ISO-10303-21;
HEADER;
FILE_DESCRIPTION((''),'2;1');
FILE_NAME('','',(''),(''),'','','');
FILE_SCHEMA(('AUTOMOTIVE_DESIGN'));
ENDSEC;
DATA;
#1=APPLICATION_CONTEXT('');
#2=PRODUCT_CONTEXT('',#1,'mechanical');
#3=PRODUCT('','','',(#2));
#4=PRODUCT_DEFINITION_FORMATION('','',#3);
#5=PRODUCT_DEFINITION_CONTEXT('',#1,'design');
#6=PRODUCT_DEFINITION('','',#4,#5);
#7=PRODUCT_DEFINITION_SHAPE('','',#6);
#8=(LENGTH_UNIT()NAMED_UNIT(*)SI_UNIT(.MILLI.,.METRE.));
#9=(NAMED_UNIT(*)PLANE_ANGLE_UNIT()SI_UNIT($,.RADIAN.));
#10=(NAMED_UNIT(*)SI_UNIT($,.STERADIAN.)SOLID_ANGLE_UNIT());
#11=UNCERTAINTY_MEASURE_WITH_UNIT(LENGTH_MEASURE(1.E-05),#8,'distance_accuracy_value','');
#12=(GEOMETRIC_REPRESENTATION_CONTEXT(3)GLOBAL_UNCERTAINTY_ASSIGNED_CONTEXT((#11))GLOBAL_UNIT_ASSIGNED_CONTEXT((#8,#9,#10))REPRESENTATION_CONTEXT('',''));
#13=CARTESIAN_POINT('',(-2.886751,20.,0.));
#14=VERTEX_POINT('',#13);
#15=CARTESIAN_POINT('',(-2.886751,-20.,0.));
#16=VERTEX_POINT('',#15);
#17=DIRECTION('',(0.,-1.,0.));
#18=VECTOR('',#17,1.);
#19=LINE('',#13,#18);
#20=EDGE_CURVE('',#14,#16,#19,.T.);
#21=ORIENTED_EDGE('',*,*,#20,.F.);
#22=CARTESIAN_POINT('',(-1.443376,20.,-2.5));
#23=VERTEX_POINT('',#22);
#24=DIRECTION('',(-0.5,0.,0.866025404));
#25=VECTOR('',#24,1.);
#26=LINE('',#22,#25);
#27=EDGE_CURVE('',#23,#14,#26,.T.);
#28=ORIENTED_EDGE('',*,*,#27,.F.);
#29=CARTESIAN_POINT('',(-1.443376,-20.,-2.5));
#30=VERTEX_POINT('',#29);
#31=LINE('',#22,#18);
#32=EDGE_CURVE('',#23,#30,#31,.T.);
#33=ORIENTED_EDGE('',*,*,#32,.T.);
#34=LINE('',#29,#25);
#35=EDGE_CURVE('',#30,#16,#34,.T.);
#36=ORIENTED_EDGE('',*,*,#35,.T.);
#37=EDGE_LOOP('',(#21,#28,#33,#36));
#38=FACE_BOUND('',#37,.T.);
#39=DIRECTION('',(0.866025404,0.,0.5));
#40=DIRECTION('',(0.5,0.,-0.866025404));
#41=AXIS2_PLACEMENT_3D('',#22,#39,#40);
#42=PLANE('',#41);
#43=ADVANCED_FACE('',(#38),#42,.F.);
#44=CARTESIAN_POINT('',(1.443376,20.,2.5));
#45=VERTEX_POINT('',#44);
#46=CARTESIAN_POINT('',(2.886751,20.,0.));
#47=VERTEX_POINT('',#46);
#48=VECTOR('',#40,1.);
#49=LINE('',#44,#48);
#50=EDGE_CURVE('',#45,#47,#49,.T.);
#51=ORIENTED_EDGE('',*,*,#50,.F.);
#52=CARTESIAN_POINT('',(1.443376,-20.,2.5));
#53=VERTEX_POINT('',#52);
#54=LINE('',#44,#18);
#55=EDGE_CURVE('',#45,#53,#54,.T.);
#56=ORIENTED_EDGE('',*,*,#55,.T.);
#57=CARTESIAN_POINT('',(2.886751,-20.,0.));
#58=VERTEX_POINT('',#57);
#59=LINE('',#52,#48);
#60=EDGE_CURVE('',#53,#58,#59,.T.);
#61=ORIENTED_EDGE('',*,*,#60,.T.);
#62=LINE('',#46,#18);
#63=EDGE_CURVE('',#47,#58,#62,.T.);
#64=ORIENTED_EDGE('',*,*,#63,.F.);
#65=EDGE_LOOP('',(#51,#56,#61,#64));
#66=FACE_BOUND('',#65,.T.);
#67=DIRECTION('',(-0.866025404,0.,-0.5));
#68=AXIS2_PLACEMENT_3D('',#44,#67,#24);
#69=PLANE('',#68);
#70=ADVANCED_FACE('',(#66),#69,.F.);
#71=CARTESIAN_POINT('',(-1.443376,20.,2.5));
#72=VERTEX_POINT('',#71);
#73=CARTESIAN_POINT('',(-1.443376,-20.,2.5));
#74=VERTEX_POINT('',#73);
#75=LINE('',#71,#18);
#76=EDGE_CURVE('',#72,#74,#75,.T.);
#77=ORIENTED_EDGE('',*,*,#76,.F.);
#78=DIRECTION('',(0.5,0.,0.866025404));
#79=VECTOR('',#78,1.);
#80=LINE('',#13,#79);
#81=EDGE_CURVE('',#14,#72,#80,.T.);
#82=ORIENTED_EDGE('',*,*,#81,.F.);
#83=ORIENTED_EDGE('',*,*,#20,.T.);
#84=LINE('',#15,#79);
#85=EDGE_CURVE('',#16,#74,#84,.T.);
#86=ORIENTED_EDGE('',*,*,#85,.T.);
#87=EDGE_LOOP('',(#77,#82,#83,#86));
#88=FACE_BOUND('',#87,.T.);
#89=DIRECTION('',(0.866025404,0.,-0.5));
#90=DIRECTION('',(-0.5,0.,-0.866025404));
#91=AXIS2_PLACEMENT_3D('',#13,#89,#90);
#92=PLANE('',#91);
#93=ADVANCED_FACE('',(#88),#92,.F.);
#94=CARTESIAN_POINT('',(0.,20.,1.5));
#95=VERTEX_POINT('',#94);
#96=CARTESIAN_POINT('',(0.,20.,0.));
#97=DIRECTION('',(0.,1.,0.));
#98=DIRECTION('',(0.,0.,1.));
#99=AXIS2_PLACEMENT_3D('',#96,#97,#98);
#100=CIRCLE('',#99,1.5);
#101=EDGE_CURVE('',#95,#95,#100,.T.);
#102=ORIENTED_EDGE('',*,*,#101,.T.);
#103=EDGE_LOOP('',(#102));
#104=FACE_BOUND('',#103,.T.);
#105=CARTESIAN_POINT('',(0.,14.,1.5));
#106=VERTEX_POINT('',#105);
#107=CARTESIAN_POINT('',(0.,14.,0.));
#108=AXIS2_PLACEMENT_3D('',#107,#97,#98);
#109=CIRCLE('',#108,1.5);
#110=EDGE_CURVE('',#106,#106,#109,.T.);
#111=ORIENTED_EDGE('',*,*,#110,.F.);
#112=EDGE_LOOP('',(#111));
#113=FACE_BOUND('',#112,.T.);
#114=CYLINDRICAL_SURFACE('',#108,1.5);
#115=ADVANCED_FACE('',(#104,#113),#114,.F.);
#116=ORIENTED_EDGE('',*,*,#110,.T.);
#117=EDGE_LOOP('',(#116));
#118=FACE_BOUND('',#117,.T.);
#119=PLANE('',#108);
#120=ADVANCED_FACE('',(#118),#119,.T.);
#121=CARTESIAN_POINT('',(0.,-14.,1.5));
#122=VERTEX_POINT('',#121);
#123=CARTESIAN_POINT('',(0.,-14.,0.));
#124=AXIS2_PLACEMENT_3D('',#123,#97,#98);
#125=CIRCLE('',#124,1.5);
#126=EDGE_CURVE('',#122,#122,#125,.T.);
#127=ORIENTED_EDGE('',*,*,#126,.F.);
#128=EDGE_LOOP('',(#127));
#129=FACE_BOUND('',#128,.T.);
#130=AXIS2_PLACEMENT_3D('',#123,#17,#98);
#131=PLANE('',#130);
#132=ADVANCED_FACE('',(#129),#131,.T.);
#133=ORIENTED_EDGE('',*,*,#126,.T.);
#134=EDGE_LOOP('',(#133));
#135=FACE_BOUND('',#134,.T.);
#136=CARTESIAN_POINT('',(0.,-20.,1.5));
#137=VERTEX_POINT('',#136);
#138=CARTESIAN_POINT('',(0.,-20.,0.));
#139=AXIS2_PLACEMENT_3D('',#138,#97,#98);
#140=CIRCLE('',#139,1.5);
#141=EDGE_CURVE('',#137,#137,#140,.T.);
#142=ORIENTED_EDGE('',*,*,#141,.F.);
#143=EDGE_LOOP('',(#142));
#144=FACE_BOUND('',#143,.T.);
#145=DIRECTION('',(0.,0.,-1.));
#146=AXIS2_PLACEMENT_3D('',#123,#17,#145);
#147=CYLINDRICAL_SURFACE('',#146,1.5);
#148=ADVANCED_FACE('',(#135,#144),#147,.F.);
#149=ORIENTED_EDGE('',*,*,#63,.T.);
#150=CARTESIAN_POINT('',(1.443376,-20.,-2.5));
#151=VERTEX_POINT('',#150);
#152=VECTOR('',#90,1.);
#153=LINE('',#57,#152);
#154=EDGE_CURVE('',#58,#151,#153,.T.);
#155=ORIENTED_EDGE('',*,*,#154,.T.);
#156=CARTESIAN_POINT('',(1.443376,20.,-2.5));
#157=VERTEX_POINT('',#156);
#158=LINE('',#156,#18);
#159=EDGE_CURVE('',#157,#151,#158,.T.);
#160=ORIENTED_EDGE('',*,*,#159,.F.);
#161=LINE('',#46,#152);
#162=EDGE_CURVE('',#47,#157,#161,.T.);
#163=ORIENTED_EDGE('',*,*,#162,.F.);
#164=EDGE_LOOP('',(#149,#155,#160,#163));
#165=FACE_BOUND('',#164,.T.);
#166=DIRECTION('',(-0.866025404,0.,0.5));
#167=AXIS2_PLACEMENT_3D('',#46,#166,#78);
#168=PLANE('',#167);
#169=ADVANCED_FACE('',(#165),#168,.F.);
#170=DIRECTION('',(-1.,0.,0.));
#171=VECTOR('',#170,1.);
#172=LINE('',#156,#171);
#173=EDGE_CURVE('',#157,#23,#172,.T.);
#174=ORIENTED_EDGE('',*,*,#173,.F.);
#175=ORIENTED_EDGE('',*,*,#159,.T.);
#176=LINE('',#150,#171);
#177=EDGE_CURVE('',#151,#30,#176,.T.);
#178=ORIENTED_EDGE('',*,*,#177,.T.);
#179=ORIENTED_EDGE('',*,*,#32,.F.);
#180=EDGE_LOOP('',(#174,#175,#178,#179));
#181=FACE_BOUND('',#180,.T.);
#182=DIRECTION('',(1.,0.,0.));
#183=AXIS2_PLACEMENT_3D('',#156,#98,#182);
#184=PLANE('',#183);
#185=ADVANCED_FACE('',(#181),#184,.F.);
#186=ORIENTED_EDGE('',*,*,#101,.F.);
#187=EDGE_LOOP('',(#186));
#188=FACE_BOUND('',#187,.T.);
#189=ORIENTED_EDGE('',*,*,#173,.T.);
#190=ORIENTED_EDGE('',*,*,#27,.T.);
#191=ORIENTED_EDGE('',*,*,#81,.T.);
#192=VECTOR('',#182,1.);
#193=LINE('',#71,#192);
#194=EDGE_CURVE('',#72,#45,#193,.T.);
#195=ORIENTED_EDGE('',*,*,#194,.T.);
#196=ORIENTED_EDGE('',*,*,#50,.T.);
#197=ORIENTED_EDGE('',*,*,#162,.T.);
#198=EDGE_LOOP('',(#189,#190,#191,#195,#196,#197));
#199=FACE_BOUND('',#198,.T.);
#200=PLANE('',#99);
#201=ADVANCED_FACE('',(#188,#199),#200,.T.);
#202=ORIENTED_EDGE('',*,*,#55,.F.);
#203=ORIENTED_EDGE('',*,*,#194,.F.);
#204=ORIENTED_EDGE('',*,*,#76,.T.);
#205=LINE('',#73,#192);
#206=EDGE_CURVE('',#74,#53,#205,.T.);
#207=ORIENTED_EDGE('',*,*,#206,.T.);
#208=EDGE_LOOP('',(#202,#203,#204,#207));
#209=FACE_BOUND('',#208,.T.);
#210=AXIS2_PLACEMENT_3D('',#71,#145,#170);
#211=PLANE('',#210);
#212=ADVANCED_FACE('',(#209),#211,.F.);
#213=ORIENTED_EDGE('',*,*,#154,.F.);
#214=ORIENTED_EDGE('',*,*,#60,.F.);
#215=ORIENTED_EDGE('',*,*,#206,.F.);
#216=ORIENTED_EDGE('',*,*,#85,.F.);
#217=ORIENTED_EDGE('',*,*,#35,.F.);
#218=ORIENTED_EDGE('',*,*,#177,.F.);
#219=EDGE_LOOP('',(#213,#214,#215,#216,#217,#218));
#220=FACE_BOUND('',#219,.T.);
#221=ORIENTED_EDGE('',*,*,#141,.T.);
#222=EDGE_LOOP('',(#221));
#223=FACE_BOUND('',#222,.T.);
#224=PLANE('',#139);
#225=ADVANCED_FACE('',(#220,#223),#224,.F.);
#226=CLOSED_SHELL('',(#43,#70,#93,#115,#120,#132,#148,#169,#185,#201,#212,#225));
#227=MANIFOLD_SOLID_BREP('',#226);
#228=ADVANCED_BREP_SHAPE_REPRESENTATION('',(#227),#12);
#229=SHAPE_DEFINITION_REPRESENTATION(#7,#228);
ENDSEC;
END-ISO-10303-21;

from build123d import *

# Parameters (mm, degrees)
BOSS_EXTRUDE1_DEPTH                        = 20
SKETCH2_R                                  = 1.5
CUT_EXTRUDE1_DEPTH                         = 6
MIRROR1_AT_THE_SECOND_PLANE_COPY_1_SKETC_R = 1.5
MIRROR1_AT_THE_SECOND_PLANE_COPY_1_DEPTH   = 6


with BuildPart() as part:
    # Sketch1 → Boss-Extrude1 (new, symmetric)
    with BuildSketch(Plane(origin=(0, 0, 0), x_dir=(1, 0, 0), z_dir=(0, 1, 0))):
        Polygon((2.886751346, 0), (1.443375673, 2.5), (-1.443375673, 2.5), (-2.886751346, 0), (-1.443375673, -2.5), (1.443375673, -2.5), align=None)
    extrude(amount=BOSS_EXTRUDE1_DEPTH, both=True)

    # Sketch2 → Cut-Extrude1 (cut)
    with BuildSketch(Plane(origin=(0, 20, 0), x_dir=(1, 0, 0), z_dir=(0, 1, 0))):
        with Locations(Location((0, 0, 0), (0, 0, 270))):
            Circle(SKETCH2_R)
    cut_extrude1 = extrude(amount=-CUT_EXTRUDE1_DEPTH, mode=Mode.SUBTRACT)

    # Mirror1: Cut-Extrude1 across plane
    add(cut_extrude1.mirror(Plane(origin=(0, 0, 0), x_dir=(0, 0, 1), z_dir=(1, 0, 0))), mode=Mode.SUBTRACT)

    # Mirror1 at the second plane: Cut-Extrude1 across plane
    add(cut_extrude1.mirror(Plane.ZX), mode=Mode.SUBTRACT)

    # Mirror1 at the second plane copy 1 sketc → Mirror1 at the second plane copy 1 (cut)
    with BuildSketch(Plane(origin=(0, -20, 0), x_dir=(-1, 0, 0), z_dir=(0, -1, 0))):
        with Locations(Location((0, 0, 0), (0, 0, 270))):
            Circle(MIRROR1_AT_THE_SECOND_PLANE_COPY_1_SKETC_R)
    extrude(amount=-MIRROR1_AT_THE_SECOND_PLANE_COPY_1_DEPTH, mode=Mode.SUBTRACT)


solid = part.part
